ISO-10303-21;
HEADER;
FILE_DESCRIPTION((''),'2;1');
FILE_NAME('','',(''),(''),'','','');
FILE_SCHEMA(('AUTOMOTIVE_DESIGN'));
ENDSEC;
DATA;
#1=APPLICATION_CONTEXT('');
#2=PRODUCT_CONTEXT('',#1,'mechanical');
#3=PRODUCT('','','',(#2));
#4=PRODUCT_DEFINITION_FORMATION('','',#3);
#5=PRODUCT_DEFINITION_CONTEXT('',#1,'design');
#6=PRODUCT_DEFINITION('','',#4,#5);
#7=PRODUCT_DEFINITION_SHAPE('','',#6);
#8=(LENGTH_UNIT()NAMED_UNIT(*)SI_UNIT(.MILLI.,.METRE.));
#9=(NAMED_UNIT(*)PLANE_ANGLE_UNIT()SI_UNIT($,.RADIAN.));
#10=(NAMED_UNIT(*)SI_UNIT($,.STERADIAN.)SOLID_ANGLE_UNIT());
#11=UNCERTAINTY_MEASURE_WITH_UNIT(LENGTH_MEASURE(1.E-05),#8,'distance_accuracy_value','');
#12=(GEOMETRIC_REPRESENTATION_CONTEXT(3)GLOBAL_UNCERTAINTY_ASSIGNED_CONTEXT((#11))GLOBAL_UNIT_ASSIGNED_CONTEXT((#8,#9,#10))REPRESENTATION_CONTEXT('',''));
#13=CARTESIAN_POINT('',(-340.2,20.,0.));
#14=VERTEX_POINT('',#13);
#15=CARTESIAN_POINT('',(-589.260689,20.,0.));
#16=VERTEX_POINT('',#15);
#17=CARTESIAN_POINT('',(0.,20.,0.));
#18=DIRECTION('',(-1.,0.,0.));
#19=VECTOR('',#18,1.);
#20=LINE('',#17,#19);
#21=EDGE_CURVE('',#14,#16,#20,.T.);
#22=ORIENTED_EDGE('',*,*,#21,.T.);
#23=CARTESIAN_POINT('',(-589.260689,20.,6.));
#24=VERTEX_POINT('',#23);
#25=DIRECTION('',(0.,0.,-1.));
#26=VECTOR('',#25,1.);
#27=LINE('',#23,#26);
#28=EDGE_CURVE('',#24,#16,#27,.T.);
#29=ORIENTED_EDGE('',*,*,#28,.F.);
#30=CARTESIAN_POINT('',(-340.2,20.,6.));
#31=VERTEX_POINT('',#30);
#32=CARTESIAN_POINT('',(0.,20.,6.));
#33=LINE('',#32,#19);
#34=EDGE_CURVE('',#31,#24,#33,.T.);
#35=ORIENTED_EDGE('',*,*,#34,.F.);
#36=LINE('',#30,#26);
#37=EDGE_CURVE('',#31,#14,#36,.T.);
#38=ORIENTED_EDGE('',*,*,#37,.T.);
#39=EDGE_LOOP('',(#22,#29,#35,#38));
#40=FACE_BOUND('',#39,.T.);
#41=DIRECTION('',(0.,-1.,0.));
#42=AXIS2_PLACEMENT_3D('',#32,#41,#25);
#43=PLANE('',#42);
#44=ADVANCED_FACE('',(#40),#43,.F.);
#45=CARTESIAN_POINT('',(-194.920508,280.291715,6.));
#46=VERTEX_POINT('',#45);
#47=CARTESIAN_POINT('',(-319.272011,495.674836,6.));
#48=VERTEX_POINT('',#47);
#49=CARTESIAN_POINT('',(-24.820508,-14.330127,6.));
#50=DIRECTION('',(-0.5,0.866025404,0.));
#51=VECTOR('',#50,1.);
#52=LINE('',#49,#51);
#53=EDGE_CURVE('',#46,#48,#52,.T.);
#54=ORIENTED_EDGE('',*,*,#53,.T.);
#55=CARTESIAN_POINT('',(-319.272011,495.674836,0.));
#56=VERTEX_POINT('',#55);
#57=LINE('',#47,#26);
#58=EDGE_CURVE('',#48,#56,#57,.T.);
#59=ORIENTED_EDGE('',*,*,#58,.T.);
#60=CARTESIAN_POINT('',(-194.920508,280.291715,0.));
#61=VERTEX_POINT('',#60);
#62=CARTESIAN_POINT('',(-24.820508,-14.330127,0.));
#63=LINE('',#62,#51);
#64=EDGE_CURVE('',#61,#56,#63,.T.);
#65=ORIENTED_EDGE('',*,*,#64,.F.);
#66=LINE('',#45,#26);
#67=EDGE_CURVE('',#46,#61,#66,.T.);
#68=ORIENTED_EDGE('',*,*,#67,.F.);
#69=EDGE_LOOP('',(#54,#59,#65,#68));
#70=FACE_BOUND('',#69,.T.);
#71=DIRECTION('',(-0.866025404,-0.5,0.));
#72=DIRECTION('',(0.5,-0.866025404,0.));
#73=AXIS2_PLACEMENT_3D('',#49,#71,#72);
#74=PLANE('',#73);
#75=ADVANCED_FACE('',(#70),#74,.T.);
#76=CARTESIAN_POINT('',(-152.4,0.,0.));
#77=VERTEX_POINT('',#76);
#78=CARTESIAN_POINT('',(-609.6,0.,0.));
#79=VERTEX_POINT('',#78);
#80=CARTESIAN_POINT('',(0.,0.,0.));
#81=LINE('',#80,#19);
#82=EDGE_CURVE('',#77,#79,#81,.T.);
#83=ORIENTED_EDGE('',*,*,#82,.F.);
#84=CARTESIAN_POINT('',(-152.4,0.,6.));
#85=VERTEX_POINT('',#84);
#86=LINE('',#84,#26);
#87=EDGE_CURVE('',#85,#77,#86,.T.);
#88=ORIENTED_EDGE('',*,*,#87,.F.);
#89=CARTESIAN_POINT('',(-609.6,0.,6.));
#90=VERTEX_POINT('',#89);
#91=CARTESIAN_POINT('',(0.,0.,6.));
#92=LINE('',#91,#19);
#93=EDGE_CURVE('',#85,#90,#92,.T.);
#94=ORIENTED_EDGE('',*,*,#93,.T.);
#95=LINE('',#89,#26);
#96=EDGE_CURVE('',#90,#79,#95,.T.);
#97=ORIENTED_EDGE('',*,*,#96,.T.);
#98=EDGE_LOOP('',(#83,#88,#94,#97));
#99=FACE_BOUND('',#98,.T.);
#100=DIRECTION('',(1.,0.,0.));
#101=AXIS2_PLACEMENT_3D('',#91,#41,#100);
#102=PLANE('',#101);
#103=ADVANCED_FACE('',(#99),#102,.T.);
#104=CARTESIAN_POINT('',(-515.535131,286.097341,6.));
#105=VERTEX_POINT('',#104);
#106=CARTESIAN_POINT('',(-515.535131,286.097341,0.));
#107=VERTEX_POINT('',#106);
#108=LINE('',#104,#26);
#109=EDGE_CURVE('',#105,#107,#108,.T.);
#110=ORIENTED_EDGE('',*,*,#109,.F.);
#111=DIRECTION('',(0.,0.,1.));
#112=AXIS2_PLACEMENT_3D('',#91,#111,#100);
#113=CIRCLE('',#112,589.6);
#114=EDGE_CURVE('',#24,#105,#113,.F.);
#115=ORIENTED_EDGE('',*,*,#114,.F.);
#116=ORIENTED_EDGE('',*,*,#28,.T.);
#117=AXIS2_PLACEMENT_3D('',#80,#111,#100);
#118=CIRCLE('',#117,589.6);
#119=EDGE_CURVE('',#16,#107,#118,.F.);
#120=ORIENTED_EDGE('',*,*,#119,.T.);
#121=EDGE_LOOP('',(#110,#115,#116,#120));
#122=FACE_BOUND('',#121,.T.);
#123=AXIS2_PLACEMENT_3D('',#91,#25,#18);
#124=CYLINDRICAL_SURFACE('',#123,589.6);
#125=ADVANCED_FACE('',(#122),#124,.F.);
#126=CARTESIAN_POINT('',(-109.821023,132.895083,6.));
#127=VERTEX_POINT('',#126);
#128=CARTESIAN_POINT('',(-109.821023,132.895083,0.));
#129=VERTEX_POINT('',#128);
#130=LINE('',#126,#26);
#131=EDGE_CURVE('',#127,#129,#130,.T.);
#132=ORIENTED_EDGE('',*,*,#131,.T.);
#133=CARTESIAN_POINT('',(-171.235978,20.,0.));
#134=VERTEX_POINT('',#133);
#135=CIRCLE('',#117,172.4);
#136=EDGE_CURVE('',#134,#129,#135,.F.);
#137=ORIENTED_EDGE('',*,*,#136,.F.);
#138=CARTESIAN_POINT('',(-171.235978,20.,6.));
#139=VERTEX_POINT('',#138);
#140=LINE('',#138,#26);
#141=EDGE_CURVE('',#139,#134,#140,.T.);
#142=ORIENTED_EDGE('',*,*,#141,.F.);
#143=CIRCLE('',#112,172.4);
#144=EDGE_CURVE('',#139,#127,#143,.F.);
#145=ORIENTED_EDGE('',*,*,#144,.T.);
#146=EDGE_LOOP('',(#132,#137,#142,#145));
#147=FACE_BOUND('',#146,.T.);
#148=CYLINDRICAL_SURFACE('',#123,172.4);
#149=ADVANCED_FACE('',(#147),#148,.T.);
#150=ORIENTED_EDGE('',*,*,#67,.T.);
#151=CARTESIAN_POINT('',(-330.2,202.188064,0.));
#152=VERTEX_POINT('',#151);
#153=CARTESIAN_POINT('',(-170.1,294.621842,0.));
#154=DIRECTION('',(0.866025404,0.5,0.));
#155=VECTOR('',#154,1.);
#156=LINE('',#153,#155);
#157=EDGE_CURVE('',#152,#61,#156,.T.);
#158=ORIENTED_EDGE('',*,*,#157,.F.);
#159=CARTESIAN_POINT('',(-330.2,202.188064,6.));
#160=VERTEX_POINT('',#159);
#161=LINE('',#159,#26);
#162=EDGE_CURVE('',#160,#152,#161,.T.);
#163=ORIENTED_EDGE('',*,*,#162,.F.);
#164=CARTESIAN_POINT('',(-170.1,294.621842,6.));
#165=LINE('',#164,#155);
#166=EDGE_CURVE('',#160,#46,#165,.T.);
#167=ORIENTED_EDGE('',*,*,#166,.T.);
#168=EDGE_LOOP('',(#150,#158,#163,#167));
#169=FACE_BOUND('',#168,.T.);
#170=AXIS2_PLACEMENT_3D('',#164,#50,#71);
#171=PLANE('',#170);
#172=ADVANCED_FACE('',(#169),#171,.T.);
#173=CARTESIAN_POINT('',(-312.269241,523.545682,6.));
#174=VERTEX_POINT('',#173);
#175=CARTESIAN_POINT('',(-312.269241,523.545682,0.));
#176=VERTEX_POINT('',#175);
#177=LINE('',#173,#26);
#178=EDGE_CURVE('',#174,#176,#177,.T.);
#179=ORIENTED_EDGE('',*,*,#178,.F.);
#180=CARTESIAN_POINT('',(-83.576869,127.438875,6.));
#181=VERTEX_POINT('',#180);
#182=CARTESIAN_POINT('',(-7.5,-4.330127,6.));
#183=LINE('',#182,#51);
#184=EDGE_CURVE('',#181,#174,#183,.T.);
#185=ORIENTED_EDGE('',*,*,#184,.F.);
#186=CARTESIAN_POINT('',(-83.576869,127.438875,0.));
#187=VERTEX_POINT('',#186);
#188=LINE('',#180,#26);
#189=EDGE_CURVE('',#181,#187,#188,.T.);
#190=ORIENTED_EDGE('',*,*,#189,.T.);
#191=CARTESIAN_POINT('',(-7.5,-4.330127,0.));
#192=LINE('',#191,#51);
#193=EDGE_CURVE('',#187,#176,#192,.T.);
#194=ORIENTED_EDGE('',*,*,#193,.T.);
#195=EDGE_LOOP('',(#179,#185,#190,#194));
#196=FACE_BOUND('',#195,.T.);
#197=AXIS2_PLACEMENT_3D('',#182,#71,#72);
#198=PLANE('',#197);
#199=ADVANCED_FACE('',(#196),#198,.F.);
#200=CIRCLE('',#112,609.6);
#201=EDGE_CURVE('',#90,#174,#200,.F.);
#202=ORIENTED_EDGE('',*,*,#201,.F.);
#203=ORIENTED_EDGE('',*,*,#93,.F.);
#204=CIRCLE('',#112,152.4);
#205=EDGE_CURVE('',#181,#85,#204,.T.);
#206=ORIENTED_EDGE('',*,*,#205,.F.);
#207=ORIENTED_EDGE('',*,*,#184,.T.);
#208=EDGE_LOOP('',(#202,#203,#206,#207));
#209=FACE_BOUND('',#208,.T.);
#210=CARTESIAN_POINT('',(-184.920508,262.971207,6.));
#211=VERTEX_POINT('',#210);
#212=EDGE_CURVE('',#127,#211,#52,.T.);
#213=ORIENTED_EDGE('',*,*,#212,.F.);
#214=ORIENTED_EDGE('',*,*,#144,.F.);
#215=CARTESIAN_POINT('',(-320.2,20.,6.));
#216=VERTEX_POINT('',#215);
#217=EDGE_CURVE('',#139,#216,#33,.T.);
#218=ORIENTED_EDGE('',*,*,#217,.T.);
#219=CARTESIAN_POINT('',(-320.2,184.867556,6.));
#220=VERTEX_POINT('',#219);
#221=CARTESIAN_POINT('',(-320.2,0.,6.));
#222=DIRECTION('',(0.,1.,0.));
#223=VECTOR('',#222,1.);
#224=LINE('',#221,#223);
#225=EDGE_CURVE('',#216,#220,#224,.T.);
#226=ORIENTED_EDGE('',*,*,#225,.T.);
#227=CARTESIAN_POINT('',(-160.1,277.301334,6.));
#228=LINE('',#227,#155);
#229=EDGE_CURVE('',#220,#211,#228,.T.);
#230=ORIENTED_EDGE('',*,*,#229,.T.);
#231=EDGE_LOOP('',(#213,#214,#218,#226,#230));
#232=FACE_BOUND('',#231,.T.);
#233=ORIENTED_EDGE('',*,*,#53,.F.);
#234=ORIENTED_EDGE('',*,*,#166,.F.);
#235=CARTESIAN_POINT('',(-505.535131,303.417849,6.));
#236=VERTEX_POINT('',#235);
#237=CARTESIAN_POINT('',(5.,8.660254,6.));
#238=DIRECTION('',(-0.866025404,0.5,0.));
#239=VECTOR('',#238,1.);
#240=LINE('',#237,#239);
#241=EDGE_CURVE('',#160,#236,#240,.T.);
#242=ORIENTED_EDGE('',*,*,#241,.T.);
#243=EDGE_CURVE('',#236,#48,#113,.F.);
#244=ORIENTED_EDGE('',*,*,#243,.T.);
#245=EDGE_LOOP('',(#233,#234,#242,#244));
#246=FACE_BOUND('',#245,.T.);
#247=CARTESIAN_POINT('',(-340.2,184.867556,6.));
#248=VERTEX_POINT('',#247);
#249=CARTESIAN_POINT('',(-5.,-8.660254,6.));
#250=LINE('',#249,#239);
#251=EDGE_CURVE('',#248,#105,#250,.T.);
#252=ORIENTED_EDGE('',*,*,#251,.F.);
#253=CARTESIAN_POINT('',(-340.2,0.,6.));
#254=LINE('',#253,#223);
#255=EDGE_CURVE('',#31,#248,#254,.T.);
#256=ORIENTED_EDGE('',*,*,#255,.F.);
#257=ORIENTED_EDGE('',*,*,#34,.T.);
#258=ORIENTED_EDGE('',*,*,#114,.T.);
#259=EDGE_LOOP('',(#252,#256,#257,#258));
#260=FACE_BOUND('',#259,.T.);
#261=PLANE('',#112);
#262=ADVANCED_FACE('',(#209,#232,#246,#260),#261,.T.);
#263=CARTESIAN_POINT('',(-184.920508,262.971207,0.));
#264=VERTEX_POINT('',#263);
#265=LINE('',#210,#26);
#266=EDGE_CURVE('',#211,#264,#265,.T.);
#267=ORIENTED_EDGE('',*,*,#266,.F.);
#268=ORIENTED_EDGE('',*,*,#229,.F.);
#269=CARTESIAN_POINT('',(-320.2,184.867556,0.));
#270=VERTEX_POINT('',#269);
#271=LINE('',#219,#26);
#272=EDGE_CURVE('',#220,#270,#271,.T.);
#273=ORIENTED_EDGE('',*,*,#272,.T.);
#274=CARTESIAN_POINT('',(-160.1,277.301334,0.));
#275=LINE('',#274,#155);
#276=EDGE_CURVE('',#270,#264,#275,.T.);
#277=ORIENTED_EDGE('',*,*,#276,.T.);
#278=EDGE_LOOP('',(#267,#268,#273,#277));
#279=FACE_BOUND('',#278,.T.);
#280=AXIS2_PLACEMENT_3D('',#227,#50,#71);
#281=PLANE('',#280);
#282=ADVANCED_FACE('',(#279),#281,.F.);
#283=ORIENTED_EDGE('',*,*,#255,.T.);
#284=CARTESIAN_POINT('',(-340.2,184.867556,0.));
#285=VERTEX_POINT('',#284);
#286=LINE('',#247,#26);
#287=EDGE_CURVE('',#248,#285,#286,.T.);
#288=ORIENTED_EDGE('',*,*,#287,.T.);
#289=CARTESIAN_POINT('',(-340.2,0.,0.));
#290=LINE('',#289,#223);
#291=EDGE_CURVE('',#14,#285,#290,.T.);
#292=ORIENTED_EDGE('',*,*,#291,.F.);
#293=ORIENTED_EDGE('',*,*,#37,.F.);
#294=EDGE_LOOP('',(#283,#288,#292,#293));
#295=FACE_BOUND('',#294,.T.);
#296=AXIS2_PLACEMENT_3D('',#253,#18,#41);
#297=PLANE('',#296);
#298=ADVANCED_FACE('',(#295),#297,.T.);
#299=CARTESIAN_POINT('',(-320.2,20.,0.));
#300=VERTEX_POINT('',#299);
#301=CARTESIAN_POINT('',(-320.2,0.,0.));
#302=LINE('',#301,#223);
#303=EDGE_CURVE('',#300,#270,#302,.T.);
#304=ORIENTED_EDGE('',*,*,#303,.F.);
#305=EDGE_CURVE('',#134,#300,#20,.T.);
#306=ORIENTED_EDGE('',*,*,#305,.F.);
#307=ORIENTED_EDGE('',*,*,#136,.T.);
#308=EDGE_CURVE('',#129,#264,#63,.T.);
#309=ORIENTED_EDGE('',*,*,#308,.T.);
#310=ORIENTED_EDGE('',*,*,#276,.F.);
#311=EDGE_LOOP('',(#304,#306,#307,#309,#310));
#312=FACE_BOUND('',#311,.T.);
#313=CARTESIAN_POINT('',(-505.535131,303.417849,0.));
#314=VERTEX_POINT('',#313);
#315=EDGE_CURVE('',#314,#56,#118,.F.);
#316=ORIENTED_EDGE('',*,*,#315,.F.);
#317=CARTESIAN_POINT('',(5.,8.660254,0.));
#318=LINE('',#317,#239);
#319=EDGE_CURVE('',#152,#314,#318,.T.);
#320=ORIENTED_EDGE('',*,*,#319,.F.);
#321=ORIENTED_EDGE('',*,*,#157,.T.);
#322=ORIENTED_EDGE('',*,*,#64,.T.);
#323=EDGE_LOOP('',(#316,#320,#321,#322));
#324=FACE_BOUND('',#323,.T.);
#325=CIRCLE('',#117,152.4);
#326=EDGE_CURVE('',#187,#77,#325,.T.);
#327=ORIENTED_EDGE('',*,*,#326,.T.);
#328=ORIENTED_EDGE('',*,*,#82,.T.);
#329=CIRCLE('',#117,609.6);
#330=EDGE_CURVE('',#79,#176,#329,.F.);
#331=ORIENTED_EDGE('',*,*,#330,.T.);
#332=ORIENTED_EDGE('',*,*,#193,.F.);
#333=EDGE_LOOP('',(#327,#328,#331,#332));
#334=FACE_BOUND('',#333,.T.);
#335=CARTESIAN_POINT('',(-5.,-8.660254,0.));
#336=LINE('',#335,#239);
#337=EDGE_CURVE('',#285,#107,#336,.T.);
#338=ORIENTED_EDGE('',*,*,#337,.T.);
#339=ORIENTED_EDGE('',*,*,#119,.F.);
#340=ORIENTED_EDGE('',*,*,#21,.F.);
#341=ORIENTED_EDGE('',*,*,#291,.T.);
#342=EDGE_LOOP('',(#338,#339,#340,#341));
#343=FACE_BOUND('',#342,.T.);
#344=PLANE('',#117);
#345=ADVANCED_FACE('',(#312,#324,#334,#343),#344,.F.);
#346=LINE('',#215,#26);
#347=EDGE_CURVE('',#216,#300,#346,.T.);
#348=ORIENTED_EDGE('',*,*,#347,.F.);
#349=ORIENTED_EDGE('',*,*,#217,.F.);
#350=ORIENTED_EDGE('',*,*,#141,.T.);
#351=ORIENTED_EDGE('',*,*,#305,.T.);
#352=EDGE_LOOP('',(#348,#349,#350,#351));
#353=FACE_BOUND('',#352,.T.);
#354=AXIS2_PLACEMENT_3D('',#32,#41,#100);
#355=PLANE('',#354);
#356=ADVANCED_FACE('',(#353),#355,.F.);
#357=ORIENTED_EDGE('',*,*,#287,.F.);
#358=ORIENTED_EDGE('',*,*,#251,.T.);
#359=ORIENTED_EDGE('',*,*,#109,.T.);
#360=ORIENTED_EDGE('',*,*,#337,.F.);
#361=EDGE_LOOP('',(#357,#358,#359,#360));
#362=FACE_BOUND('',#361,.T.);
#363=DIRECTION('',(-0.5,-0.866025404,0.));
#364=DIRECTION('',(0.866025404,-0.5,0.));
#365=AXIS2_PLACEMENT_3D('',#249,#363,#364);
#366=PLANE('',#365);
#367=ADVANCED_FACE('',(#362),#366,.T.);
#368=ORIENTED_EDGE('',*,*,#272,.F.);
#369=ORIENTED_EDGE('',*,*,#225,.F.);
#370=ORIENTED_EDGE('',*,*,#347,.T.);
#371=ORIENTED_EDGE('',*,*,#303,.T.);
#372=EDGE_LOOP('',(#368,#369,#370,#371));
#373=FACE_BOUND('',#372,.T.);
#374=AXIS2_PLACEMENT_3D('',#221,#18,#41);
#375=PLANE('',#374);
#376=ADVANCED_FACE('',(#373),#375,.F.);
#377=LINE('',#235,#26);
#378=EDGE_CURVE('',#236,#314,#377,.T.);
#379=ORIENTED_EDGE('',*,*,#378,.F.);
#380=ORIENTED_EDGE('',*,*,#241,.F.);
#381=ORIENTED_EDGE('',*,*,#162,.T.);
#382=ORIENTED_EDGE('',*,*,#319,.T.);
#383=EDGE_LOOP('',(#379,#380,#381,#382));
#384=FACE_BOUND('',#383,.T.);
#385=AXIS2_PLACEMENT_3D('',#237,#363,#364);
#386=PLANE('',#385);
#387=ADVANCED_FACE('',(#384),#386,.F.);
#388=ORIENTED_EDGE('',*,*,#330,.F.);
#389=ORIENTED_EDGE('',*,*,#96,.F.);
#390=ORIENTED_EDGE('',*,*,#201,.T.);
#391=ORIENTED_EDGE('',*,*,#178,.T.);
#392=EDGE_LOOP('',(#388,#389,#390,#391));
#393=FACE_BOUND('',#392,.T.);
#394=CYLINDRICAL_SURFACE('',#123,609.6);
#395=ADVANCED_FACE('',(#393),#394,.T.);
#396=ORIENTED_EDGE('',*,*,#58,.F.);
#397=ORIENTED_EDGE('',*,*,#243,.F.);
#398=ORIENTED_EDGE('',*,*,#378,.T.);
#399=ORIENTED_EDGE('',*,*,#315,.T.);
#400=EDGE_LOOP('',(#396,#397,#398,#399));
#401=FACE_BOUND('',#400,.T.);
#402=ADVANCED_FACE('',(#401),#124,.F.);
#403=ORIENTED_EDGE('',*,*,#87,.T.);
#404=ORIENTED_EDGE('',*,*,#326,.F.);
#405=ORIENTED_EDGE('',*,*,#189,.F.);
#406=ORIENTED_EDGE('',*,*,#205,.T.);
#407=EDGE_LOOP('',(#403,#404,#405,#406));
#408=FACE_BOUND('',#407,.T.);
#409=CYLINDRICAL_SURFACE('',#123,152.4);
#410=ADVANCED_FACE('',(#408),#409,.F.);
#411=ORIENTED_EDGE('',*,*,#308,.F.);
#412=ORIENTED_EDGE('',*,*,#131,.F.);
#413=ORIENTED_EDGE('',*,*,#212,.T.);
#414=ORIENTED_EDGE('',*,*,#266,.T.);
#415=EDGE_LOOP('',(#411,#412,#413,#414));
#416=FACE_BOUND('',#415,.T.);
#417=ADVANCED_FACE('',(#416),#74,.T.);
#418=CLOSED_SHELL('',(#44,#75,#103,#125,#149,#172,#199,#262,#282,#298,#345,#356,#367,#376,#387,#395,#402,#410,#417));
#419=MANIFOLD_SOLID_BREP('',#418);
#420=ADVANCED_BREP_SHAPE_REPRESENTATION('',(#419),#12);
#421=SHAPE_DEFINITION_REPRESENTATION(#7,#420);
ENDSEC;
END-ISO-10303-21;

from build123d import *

# Parameters (mm, degrees)
BOSS_EXTRUDE1_DEPTH = 6


with BuildPart() as part:
    # Sketch1 → Boss-Extrude1 (new body)
    with BuildSketch(Plane.XY):
        with BuildLine():
            ThreePointArc((-83.576869021, 127.438875406), (-134.094882152, 72.417695218), (-152.4, 0))
            Line((-152.4, 0), (-609.6, 0))
            ThreePointArc((-609.6, 0), (-530.080884891, 301.042215433), (-312.269240574, 523.545682239))
            Line((-312.269240574, 523.545682239), (-83.576869021, 127.438875406))
        make_face()
        with BuildLine():
            ThreePointArc((-154.05140053, 77.394612181), (-149.302779612, 86.2), (-144.05140053, 94.715120257))
            ThreePointArc((-144.05140053, 94.715120257), (-128.363659898, 115.08488527), (-109.821022542, 132.895082707))
            Line((-109.821022542, 132.895082707), (-184.920508076, 262.971207273))
            Line((-184.920508076, 262.971207273), (-310.2, 190.641058886))
            Line((-310.2, 190.641058886), (-320.2, 184.867556195))
            Line((-320.2, 184.867556195), (-320.2, 173.320550811))
            Line((-320.2, 173.320550811), (-320.2, 20))
            Line((-320.2, 20), (-171.235977528, 20))
            ThreePointArc((-171.235977528, 20), (-165.156001883, 49.449520141), (-154.05140053, 77.394612181))
        make_face(mode=Mode.SUBTRACT)
        with BuildLine():
            Line((-340.2, 20), (-589.260689339, 20))
            ThreePointArc((-589.260689339, 20), (-568.194860877, 157.425411141), (-515.535131015, 286.097341284))
            Line((-515.535131015, 286.097341284), (-340.2, 184.867556195))
            Line((-340.2, 184.867556195), (-340.2, 20))
        make_face(mode=Mode.SUBTRACT)
        with BuildLine():
            Line((-330.2, 202.18806427), (-505.535131015, 303.41784936))
            ThreePointArc((-505.535131015, 303.41784936), (-423.458843967, 410.256952977), (-319.272010805, 495.674836073))
            Line((-319.272010805, 495.674836073), (-194.920508076, 280.291715349))
            Line((-194.920508076, 280.291715349), (-330.2, 202.18806427))
        make_face(mode=Mode.SUBTRACT)
    extrude(amount=BOSS_EXTRUDE1_DEPTH)


solid = part.part
